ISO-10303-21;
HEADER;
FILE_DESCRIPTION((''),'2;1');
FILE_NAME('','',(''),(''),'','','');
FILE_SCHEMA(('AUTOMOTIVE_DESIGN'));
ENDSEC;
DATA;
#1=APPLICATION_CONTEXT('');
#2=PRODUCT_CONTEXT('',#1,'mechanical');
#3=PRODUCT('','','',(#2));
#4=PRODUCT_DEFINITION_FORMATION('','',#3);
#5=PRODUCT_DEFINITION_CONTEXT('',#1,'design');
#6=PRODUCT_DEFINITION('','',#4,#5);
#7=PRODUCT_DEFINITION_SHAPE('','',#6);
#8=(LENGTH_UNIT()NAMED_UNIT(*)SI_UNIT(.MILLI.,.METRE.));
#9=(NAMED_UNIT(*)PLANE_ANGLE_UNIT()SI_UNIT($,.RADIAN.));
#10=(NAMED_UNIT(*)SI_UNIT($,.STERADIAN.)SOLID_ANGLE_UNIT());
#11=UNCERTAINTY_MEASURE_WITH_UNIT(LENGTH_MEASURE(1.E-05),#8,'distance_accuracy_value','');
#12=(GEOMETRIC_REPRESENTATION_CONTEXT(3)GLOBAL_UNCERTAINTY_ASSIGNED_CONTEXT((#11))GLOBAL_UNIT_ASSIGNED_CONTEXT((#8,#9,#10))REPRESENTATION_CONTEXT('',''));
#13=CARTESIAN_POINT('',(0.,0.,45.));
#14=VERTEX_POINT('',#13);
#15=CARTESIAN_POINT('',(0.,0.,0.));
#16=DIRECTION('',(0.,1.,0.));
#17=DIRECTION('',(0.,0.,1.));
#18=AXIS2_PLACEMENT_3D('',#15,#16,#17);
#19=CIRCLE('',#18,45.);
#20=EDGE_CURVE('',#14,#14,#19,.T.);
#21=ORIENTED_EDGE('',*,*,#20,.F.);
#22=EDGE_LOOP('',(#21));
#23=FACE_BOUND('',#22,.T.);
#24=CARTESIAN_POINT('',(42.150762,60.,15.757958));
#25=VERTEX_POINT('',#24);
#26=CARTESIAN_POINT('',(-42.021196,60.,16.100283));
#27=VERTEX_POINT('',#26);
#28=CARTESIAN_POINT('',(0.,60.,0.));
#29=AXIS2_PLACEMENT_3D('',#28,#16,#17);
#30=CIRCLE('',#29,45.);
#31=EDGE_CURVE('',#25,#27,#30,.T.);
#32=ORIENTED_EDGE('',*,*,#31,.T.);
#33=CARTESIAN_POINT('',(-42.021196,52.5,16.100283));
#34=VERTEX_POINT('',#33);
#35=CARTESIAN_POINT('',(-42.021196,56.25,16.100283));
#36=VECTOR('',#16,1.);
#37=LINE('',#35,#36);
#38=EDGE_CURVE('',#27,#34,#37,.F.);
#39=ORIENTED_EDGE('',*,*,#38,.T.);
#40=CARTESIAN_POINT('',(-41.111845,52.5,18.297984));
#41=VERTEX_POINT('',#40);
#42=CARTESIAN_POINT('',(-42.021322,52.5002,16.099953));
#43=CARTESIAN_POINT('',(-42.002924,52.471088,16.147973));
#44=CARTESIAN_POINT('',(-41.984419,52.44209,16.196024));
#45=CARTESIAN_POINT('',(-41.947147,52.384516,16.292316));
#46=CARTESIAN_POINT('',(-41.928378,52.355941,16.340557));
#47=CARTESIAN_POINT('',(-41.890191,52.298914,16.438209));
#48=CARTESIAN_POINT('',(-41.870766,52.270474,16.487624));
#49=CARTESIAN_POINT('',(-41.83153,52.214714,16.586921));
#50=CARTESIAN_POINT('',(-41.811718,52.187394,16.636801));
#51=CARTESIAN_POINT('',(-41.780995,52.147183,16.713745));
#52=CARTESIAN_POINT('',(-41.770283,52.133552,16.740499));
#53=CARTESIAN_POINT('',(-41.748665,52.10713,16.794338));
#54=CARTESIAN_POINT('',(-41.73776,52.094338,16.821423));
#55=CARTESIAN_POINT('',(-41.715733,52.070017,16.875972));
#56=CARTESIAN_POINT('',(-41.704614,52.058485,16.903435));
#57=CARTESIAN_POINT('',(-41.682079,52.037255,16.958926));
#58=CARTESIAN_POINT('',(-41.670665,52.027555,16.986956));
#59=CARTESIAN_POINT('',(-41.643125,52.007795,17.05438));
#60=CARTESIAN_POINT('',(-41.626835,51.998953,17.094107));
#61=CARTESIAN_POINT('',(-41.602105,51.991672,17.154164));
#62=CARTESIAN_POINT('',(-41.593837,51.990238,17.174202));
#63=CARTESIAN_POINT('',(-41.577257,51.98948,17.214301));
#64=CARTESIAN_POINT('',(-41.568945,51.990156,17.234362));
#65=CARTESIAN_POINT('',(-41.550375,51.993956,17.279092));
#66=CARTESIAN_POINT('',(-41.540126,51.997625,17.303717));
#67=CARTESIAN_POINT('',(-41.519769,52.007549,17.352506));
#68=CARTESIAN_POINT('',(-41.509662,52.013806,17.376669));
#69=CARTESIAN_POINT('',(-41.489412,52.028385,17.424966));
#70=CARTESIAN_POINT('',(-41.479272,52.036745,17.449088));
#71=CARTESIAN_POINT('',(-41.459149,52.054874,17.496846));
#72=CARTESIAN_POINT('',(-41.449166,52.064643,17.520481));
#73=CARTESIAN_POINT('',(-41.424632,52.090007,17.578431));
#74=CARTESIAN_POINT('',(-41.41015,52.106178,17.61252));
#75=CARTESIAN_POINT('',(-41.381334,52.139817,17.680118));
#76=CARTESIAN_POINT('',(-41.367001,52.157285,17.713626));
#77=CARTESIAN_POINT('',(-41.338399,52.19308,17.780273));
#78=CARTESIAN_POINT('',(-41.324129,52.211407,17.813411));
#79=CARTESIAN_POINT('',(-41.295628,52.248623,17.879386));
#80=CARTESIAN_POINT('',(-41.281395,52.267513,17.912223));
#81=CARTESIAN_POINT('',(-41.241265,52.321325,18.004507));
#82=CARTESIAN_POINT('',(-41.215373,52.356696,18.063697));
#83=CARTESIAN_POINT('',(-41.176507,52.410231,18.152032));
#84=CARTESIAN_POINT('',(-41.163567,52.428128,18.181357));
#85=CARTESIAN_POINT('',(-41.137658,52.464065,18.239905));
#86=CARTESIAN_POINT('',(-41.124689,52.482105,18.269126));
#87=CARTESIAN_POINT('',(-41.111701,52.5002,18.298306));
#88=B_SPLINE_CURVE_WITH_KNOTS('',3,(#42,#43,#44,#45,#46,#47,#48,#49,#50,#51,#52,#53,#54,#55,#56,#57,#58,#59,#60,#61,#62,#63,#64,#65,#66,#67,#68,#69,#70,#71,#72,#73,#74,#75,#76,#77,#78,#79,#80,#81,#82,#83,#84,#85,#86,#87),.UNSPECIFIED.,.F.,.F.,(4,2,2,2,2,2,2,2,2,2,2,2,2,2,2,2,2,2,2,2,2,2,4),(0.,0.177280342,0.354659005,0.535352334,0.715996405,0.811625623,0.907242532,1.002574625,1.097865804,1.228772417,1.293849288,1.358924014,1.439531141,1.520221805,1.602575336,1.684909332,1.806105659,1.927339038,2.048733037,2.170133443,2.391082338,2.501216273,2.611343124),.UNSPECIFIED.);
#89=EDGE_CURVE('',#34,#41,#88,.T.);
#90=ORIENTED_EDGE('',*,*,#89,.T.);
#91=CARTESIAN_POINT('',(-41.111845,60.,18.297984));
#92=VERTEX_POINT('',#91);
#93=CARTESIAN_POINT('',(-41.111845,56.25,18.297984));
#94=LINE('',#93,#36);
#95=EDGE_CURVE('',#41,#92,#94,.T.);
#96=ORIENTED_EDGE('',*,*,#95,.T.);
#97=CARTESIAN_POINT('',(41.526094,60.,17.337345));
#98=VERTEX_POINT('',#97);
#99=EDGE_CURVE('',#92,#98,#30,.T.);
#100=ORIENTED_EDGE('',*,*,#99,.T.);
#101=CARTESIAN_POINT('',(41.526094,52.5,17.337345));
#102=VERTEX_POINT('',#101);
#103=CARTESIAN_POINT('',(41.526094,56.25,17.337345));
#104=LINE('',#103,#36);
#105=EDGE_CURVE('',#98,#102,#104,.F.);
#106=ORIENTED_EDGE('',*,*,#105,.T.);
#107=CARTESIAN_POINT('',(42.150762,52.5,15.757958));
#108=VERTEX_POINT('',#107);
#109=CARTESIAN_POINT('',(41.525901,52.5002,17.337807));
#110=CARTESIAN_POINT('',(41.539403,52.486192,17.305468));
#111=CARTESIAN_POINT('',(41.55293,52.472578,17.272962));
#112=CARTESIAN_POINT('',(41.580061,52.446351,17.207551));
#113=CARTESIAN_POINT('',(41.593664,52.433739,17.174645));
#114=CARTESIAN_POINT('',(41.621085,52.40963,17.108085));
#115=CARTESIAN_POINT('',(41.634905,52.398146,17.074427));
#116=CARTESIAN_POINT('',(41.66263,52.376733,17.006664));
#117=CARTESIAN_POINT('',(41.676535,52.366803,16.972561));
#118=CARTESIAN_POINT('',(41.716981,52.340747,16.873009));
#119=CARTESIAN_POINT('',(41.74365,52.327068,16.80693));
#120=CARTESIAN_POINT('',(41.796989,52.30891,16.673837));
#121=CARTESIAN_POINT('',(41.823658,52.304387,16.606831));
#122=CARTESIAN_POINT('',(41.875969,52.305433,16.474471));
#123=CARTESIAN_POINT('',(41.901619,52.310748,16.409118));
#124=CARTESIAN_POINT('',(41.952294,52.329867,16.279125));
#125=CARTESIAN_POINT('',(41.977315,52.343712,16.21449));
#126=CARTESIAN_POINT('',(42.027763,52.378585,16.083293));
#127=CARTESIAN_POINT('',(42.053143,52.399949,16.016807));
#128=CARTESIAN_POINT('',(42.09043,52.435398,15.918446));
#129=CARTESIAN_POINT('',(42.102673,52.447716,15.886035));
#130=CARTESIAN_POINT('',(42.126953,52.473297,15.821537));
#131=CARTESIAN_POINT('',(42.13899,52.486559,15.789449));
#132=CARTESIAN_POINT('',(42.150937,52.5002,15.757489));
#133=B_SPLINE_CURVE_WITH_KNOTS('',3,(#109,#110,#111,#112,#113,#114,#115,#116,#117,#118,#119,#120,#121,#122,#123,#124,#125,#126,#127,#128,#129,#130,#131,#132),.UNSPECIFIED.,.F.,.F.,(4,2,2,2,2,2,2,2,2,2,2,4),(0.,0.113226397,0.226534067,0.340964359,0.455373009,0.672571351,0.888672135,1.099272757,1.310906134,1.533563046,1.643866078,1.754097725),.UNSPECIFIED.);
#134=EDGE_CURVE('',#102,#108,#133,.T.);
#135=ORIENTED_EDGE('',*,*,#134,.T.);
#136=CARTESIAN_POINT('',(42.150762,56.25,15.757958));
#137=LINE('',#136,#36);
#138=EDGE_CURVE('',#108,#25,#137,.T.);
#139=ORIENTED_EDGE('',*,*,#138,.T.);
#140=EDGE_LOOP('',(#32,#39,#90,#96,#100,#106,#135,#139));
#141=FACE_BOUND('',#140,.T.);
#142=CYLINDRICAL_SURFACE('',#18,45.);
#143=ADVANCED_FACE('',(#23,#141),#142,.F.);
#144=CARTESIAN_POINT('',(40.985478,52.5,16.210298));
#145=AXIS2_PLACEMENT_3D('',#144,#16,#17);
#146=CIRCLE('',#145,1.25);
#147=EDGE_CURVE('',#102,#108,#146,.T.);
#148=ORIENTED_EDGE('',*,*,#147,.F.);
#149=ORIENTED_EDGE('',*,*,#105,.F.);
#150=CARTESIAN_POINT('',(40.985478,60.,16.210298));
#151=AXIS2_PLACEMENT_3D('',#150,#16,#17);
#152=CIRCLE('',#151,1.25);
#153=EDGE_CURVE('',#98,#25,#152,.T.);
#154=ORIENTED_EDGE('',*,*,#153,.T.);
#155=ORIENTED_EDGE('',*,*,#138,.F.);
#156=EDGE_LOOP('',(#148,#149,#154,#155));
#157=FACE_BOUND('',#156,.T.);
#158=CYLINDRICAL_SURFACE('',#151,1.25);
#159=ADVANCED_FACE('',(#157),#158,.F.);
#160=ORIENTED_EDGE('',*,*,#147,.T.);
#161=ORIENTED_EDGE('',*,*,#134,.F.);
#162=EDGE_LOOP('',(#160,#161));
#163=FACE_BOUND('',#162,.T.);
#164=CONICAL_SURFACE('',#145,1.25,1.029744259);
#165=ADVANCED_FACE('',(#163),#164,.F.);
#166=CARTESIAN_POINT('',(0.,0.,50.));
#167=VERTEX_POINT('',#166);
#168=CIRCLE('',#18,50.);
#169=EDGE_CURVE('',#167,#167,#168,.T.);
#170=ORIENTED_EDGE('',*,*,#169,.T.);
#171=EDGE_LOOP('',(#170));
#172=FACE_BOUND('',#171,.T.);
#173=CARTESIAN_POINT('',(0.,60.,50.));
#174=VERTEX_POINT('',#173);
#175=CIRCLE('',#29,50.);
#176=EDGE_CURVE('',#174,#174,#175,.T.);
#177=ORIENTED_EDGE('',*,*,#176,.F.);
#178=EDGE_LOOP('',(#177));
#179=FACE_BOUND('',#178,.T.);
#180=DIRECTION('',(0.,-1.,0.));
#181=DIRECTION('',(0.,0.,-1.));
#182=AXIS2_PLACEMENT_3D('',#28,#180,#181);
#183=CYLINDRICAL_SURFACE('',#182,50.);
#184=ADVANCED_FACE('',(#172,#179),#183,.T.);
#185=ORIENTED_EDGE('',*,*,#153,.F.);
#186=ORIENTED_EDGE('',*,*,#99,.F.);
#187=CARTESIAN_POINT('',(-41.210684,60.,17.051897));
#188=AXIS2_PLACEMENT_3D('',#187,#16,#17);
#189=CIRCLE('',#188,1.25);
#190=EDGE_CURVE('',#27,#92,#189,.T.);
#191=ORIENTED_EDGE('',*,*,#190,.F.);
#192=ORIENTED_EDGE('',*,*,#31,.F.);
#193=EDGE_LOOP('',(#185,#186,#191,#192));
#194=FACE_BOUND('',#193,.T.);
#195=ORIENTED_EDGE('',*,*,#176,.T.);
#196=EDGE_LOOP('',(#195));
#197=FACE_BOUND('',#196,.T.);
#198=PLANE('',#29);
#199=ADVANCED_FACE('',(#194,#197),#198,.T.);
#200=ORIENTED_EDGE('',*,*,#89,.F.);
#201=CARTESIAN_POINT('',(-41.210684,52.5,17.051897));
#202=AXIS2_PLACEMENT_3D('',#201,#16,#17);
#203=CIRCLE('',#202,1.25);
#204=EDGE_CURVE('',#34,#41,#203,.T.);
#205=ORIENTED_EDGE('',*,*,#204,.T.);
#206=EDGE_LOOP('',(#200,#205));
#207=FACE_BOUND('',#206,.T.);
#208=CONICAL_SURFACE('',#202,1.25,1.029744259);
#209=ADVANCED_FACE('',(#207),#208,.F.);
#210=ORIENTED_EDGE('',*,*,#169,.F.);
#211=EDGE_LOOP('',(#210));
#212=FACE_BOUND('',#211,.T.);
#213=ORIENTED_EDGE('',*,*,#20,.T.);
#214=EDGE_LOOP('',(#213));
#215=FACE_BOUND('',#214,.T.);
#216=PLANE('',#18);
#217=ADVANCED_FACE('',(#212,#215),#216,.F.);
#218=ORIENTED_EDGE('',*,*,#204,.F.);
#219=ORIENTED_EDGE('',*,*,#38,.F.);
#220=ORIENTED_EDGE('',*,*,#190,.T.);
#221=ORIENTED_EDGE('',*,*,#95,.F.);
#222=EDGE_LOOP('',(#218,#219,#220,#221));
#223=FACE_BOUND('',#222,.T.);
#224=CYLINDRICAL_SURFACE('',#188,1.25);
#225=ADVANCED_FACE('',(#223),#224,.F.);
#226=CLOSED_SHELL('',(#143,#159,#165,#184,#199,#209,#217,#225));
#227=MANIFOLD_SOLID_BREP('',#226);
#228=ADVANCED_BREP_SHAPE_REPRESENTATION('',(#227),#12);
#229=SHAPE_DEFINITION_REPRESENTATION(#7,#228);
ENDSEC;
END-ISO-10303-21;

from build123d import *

# Parameters (mm, degrees)
SKETCH1_R             = 50
BOSS_EXTRUDE1_DEPTH   = 60
SKETCH2_R             = 45
CUT_EXTRUDE1_DEPTH    = 93.736184955
M3_TAPPED_HOLE2_D     = 2.5
M3_TAPPED_HOLE2_DEPTH = 7.5
M3_TAPPED_HOLE2_TIP   = 0.751075774


with BuildPart() as part:
    # Sketch1 → Boss-Extrude1 (new body)
    with BuildSketch(Plane(origin=(0, 0, 0), x_dir=(1, 0, 0), z_dir=(0, 1, 0))):
        with Locations(Location((0, 0, 0), (0, 0, 270))):
            Circle(SKETCH1_R)
    extrude(amount=BOSS_EXTRUDE1_DEPTH)

    # Sketch2 → Cut-Extrude1 (cut, through all)
    with BuildSketch(Plane(origin=(0, 60, 0), x_dir=(1, 0, 0), z_dir=(0, 1, 0))):
        with Locations(Location((0, 0, 0), (0, 0, 270))):
            Circle(SKETCH2_R)
    extrude(amount=-CUT_EXTRUDE1_DEPTH, mode=Mode.SUBTRACT)

    # M3 Tapped Hole2
    with Locations(Plane(origin=(-125, 60, -260), x_dir=(-1, 0, 0), z_dir=(0, 1, 0))):
        with Locations((-125.588729382, 346.343542242), (-83.789316087, 277.051897383), (-165.985477802, 276.210298458), (165.689643288, 275.872555658), (83.529497195, 276.252926704), (125.273893117, 347.014910337)):
            Hole(M3_TAPPED_HOLE2_D / 2, depth=M3_TAPPED_HOLE2_DEPTH)
            with Locations((0, 0, -(M3_TAPPED_HOLE2_DEPTH + M3_TAPPED_HOLE2_TIP / 2))):  # 118° drill point
                Cone(0, M3_TAPPED_HOLE2_D / 2, M3_TAPPED_HOLE2_TIP, mode=Mode.SUBTRACT)


solid = part.part
